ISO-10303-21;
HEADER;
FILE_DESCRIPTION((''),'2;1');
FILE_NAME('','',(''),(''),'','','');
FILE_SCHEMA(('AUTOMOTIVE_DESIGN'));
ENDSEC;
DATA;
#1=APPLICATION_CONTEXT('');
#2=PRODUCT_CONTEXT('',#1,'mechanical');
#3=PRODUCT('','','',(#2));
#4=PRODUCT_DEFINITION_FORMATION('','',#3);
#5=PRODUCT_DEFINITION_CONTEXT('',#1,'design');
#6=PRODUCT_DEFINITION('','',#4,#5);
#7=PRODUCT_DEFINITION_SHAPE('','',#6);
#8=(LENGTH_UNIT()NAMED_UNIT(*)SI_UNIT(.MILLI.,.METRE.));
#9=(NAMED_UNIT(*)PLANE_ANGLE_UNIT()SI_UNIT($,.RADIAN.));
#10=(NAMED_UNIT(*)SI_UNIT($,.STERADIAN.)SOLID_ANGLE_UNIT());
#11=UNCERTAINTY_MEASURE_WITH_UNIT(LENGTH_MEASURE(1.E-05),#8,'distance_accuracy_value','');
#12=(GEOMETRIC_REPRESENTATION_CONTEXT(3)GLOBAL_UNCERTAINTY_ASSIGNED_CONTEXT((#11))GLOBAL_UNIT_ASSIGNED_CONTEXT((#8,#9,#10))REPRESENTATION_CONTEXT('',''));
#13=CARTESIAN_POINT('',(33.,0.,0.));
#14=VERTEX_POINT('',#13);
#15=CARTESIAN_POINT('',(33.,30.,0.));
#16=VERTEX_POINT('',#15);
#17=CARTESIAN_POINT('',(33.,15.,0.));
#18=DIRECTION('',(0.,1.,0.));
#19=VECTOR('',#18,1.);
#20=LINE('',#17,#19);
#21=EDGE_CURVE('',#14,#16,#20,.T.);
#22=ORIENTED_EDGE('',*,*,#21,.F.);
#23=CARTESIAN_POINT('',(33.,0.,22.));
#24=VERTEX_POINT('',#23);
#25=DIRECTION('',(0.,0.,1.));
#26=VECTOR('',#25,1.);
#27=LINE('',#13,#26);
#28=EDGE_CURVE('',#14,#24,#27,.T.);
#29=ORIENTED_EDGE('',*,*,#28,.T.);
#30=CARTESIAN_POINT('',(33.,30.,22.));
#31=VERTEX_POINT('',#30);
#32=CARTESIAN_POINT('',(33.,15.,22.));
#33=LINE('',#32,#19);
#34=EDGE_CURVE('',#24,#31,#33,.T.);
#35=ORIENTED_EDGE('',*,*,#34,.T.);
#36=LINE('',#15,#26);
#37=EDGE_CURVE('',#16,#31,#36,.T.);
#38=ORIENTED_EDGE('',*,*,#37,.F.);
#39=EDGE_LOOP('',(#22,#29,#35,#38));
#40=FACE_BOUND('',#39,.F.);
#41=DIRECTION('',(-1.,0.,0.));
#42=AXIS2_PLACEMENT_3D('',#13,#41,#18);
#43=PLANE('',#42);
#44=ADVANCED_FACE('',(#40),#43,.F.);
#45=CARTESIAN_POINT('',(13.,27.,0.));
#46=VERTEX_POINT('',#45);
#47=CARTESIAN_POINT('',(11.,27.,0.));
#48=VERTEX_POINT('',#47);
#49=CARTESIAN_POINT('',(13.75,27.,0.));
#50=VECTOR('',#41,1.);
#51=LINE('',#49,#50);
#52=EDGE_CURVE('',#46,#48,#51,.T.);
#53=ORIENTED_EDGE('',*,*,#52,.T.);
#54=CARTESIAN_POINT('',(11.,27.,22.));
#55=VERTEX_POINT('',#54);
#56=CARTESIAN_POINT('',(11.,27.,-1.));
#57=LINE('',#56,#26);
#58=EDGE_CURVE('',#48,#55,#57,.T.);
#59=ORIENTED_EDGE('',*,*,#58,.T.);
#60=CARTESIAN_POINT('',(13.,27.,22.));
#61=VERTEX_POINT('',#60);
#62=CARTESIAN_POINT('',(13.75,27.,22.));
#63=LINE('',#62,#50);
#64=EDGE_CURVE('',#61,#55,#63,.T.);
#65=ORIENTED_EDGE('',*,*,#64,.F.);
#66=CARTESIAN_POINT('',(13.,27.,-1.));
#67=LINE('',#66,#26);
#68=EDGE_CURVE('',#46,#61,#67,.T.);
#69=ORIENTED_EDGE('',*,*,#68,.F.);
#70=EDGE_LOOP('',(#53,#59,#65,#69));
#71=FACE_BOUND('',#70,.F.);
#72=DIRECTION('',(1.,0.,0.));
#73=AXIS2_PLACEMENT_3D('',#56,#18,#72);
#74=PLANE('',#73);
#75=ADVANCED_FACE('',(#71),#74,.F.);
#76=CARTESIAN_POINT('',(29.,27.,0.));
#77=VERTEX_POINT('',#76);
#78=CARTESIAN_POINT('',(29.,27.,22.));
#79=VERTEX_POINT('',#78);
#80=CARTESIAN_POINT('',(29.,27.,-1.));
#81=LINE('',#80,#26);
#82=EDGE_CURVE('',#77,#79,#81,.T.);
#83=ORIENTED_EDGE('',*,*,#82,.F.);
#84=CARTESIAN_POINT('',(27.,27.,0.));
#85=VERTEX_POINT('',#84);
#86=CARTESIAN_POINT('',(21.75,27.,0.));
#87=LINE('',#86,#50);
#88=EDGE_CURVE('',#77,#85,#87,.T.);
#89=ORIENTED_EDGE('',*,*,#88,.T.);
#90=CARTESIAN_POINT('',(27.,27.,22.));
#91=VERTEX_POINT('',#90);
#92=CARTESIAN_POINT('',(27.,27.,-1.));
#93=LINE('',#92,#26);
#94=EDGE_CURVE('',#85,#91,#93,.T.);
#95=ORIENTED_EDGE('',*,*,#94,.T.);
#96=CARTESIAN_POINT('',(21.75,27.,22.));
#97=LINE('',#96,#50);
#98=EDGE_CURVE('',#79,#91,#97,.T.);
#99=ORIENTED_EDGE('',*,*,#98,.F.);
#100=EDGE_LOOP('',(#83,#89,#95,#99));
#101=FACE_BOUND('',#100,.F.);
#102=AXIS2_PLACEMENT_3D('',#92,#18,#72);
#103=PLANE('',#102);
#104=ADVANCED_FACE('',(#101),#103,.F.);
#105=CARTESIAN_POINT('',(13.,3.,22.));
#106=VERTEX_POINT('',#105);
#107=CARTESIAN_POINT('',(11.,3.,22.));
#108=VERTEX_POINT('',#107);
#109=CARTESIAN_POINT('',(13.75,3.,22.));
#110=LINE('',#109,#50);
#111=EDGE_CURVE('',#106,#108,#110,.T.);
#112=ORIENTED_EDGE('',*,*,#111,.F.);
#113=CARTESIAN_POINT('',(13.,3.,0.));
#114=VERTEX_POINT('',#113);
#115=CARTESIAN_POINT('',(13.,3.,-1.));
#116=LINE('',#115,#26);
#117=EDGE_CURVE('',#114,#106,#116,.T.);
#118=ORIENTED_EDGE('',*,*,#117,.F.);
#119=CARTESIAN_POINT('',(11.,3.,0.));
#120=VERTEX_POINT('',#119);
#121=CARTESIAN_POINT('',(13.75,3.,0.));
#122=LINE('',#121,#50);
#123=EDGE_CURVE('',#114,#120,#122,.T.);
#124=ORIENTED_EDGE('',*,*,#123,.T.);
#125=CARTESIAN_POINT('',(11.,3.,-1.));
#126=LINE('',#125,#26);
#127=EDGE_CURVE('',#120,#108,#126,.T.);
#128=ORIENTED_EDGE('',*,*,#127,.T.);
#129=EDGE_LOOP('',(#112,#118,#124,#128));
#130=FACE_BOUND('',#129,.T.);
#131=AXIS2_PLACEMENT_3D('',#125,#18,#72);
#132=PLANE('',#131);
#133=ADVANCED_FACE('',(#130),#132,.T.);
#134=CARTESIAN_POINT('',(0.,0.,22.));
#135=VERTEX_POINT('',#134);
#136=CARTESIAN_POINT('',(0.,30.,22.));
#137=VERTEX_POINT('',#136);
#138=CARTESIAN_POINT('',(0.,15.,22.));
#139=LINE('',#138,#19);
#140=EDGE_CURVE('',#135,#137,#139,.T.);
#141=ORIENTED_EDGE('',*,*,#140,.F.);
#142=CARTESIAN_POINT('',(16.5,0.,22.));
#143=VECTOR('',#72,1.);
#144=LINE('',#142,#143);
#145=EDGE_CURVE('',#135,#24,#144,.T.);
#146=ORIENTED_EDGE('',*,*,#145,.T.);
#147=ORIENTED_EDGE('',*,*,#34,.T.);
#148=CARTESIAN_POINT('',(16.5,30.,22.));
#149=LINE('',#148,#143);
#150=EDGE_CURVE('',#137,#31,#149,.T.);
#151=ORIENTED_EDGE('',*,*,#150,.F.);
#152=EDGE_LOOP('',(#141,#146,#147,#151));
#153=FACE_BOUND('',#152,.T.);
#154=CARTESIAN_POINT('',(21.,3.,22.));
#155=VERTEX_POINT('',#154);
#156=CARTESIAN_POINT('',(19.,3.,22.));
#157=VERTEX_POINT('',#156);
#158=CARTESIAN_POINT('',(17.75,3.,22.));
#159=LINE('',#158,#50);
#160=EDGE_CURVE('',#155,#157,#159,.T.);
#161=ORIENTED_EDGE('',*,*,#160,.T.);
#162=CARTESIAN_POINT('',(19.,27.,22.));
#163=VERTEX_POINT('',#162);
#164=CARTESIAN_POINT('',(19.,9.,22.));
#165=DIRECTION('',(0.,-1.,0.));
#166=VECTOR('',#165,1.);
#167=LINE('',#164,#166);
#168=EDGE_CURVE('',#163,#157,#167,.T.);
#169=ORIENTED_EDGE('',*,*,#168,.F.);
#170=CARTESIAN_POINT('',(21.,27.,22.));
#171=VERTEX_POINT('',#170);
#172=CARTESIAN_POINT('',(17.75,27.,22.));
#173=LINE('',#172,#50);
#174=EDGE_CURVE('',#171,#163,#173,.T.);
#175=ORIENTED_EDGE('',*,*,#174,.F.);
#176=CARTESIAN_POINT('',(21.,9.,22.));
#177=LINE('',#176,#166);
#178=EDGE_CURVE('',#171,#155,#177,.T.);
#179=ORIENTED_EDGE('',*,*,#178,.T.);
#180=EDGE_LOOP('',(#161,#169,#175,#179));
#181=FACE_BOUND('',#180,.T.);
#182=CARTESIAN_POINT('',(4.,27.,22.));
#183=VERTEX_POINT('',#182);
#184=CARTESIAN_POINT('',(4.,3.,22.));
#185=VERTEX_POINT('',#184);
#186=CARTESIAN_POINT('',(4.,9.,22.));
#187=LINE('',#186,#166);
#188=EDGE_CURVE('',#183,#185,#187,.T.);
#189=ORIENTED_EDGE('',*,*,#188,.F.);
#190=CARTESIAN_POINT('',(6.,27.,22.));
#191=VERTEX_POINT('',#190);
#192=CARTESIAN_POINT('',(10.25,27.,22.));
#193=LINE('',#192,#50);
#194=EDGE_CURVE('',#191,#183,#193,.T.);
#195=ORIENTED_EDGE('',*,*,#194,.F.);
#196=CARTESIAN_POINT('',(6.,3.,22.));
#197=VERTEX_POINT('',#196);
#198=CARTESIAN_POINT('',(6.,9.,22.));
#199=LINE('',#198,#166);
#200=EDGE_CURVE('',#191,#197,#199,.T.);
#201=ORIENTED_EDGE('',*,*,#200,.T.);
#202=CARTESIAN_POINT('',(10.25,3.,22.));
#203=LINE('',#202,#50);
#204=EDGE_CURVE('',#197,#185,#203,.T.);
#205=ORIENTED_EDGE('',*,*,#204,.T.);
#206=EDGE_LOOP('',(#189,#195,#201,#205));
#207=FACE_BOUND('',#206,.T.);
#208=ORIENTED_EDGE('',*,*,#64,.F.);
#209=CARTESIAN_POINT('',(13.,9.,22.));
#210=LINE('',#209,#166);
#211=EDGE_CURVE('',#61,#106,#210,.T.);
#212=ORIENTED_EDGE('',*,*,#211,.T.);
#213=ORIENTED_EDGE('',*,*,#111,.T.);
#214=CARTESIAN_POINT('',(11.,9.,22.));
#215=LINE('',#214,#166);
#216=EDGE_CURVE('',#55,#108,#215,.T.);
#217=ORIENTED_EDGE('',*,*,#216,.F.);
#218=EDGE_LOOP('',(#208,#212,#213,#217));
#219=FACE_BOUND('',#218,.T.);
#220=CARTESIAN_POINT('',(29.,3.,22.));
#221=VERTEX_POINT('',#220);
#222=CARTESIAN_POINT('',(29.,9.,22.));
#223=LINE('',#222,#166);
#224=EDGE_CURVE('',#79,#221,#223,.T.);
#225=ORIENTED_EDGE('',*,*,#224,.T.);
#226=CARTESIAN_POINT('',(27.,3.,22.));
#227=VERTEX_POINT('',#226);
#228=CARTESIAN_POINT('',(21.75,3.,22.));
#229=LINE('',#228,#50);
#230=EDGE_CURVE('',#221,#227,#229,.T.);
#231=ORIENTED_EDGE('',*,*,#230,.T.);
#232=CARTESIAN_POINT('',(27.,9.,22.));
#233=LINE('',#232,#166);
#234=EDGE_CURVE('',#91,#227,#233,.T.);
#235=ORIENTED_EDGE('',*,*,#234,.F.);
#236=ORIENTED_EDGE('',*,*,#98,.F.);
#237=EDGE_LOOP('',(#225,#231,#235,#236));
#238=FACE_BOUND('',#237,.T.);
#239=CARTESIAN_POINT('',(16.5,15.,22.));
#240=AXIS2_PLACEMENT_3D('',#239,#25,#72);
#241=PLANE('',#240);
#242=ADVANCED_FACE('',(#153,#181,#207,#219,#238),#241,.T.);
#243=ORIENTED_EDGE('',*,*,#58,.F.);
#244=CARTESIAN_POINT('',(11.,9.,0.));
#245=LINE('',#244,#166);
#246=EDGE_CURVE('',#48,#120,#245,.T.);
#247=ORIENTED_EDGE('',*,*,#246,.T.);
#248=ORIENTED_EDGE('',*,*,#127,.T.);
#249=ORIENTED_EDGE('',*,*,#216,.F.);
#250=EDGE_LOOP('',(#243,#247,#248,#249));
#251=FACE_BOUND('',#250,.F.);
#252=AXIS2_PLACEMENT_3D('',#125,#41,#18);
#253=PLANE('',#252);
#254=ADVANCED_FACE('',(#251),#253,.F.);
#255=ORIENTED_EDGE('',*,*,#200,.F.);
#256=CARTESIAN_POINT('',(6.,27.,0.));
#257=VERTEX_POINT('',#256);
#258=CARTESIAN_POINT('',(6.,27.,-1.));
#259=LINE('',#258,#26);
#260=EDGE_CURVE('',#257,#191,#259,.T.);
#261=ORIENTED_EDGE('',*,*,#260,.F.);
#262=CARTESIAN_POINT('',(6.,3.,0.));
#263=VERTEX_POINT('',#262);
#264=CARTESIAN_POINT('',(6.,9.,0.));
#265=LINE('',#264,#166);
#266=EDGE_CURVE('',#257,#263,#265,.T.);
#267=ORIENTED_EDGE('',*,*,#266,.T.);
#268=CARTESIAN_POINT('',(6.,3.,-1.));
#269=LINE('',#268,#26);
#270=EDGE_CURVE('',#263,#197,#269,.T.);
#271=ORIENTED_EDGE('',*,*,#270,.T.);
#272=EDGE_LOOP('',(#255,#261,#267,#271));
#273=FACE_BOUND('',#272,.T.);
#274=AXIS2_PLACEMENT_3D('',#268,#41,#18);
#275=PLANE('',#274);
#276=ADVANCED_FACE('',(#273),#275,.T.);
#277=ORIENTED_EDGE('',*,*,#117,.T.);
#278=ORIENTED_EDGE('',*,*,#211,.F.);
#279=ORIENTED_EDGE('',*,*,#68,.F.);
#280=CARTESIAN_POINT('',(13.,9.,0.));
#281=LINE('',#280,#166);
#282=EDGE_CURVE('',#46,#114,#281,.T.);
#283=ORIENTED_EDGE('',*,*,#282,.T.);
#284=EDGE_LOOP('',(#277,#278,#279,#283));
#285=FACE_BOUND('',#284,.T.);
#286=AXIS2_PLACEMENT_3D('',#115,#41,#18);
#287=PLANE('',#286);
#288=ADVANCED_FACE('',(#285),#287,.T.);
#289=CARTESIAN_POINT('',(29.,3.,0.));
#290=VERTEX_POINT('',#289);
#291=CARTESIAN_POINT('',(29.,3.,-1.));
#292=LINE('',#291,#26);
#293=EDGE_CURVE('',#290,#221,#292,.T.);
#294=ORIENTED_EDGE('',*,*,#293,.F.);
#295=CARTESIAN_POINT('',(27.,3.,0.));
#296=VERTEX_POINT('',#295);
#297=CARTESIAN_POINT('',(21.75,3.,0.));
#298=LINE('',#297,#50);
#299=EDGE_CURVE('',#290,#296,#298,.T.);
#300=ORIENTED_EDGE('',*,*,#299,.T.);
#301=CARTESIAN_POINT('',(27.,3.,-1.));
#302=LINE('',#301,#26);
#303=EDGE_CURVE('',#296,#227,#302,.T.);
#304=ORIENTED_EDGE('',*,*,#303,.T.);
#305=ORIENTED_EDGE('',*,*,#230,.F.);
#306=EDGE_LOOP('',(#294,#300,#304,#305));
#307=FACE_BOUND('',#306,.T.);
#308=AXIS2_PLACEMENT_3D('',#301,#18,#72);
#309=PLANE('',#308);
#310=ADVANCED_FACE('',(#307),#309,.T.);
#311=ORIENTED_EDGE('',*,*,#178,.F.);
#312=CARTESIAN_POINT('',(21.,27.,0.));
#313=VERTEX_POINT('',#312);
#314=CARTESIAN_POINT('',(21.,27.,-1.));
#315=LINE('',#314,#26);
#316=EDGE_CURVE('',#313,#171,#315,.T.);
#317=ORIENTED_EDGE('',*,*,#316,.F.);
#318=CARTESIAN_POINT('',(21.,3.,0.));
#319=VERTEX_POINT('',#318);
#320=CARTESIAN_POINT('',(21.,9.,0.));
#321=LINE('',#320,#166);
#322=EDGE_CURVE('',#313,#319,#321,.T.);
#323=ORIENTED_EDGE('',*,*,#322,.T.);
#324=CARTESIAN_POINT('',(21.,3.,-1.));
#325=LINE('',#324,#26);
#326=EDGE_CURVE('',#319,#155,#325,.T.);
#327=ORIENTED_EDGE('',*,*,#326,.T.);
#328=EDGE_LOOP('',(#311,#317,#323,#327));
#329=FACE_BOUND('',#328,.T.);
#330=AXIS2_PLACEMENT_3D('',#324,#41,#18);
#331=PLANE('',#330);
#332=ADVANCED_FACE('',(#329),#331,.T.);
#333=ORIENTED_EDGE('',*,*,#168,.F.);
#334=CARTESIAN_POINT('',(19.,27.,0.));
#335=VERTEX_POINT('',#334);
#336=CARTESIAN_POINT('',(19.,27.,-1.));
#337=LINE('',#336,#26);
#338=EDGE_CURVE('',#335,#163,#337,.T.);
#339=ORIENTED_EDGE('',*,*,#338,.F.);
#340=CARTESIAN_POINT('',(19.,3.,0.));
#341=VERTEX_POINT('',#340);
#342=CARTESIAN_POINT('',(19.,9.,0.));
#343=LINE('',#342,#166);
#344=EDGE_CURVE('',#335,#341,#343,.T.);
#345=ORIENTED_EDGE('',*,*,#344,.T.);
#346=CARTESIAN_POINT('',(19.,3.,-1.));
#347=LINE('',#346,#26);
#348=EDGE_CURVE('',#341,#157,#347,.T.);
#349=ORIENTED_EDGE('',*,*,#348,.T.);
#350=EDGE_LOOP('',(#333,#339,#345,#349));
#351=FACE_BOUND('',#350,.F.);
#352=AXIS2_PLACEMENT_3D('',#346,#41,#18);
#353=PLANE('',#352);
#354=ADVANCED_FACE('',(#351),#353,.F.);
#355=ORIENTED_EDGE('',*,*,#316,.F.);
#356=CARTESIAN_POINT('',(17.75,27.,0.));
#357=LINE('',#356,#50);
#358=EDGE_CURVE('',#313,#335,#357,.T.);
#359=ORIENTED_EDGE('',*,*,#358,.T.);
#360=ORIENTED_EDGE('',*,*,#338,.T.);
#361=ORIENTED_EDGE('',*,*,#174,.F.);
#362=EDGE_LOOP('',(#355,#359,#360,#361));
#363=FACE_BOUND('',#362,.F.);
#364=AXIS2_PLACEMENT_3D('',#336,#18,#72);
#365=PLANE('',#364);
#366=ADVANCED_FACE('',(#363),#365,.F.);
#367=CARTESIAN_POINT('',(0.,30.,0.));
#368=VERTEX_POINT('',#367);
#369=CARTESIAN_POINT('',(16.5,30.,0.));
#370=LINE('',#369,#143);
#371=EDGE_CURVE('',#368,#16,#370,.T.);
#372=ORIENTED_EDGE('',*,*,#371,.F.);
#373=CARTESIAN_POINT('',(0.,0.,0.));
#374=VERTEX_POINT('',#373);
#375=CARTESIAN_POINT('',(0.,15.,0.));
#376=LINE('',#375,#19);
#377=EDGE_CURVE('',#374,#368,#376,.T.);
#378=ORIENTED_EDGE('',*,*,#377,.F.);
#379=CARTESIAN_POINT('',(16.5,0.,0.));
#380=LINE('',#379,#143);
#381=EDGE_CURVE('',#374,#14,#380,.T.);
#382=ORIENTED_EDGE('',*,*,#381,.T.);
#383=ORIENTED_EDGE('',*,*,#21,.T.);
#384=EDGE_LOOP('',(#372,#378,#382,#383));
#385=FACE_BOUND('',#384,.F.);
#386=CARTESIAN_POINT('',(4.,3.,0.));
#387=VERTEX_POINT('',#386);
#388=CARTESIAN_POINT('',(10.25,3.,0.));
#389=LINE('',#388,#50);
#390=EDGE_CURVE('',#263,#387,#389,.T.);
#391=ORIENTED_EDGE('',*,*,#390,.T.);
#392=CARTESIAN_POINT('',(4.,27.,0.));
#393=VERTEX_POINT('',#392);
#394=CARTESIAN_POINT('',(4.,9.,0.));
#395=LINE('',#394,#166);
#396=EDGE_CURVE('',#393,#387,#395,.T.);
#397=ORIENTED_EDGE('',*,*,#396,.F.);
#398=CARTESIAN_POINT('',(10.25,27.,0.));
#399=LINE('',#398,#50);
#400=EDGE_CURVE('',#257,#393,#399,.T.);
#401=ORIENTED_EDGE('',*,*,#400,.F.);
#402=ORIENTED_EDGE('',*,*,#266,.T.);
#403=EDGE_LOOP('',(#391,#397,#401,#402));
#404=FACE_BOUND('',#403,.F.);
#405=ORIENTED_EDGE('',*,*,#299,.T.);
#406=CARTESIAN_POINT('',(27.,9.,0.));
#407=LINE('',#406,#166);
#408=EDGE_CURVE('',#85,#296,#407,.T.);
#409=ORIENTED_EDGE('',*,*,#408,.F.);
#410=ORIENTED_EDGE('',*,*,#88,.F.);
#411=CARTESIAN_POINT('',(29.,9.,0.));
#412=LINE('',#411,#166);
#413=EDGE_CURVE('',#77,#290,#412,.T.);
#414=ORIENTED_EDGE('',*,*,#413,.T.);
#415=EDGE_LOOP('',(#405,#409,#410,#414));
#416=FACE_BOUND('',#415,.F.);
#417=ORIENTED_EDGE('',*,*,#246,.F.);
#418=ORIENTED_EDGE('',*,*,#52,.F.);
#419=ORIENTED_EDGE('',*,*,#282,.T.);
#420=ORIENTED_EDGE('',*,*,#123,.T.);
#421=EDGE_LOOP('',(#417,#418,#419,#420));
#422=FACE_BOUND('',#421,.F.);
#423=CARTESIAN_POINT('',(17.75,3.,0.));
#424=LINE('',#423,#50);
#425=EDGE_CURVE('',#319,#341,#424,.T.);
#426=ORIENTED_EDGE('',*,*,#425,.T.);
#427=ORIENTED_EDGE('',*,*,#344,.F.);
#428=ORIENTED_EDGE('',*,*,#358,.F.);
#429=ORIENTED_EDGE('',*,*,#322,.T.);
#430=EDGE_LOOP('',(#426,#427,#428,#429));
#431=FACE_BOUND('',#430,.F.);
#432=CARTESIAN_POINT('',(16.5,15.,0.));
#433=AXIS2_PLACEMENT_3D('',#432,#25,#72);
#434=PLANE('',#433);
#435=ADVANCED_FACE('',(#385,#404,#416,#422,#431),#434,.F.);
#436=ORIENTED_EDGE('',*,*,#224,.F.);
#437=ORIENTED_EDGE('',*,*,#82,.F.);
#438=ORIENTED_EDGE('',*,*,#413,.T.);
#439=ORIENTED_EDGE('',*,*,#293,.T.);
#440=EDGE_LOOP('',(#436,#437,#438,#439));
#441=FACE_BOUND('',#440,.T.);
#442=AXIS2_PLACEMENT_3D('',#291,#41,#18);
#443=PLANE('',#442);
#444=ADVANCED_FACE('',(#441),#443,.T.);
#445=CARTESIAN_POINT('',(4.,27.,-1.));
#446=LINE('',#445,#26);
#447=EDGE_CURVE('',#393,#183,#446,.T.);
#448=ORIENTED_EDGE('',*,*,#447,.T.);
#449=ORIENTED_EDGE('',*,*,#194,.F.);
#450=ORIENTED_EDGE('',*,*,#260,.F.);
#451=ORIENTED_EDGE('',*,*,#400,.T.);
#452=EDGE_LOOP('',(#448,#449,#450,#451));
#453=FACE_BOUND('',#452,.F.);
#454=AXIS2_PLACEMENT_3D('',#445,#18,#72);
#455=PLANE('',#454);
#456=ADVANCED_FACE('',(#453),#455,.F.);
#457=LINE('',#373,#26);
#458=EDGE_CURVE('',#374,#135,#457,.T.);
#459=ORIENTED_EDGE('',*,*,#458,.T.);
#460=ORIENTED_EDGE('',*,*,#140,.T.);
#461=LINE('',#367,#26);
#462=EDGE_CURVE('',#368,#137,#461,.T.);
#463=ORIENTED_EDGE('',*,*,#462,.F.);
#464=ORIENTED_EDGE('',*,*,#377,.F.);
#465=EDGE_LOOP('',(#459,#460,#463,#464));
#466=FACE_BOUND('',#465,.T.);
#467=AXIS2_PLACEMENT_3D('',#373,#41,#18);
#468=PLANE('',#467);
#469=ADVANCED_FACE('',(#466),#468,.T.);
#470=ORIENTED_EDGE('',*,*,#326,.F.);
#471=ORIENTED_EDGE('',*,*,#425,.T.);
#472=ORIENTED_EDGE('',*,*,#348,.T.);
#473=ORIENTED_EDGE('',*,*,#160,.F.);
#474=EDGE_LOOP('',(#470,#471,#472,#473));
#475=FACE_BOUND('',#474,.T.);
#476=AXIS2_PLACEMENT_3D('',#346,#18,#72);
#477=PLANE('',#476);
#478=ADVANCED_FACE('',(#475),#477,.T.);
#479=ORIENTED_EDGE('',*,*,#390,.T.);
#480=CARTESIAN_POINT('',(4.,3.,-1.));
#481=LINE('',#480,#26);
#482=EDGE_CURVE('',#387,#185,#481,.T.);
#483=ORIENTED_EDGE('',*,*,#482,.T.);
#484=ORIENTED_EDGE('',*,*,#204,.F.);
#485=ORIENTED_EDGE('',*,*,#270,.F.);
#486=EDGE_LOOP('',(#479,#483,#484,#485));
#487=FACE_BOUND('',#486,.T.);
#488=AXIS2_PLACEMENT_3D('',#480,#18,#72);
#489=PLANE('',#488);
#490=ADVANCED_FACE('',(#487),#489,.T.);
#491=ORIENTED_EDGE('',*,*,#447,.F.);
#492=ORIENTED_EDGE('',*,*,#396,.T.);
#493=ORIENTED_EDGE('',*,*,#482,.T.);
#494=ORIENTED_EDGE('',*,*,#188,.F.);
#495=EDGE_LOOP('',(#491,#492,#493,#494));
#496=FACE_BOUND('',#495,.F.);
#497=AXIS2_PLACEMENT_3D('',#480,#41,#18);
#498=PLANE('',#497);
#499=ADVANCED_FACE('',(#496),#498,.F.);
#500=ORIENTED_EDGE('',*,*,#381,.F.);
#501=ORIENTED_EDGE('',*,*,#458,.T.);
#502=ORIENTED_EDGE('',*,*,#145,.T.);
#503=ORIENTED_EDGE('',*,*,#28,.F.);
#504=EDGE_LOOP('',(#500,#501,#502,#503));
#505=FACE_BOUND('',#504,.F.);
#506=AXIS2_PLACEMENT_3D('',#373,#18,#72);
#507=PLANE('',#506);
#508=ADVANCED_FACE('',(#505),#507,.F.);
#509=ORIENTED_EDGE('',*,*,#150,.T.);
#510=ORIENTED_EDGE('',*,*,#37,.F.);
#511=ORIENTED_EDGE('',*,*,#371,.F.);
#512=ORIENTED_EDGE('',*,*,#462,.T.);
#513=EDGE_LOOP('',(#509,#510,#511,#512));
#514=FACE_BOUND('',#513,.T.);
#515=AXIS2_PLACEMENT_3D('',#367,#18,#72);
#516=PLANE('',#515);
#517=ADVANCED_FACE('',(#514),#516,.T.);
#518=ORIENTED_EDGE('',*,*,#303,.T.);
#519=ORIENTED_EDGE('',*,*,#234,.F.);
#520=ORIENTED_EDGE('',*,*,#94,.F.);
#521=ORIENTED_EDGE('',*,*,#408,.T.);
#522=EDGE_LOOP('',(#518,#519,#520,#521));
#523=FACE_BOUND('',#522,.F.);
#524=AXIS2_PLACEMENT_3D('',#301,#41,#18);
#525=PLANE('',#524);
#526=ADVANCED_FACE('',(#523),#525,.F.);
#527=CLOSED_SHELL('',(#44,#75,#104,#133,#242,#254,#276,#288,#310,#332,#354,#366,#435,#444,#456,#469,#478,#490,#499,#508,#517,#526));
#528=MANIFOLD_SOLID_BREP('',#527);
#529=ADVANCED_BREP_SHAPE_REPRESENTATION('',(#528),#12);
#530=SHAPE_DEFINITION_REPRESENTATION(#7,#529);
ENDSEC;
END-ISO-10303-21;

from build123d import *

# Parameters (mm, degrees)
BOX002_W     = 2
BOX002_H     = 24
BOX002_DEPTH = 25
BOX003_W     = 2
BOX003_H     = 24
BOX003_DEPTH = 25
BOX004_W     = 2
BOX004_H     = 24
BOX004_DEPTH = 25
BOX001_W     = 2
BOX001_H     = 24
BOX001_DEPTH = 25
BOX_W        = 33
BOX_H        = 30
BOX_DEPTH    = 22


with BuildPart() as cub002:
    # Box002 → Box002 (new body)
    with BuildSketch(Plane(origin=(27, 3, -1), x_dir=(1, 0, 0), z_dir=(0, 0, 1))):
        with Locations((1, 12)):
            Rectangle(BOX002_W, BOX002_H)
    extrude(amount=BOX002_DEPTH)


with BuildPart() as cub003:
    # Box003 → Box003 (new body)
    with BuildSketch(Plane(origin=(19, 3, -1), x_dir=(1, 0, 0), z_dir=(0, 0, 1))):
        with Locations((1, 12)):
            Rectangle(BOX003_W, BOX003_H)
    extrude(amount=BOX003_DEPTH)


with BuildPart() as cub004:
    # Box004 → Box004 (new body)
    with BuildSketch(Plane(origin=(11, 3, -1), x_dir=(1, 0, 0), z_dir=(0, 0, 1))):
        with Locations((1, 12)):
            Rectangle(BOX004_W, BOX004_H)
    extrude(amount=BOX004_DEPTH)


with BuildPart() as cub001:
    # Box001 → Box001 (new body)
    with BuildSketch(Plane(origin=(4, 3, -1), x_dir=(1, 0, 0), z_dir=(0, 0, 1))):
        with Locations((1, 12)):
            Rectangle(BOX001_W, BOX001_H)
    extrude(amount=BOX001_DEPTH)


with BuildPart() as cut003:
    # Box → Box (new body)
    with BuildSketch(Plane.XY):
        with Locations((16.5, 15)):
            Rectangle(BOX_W, BOX_H)
    extrude(amount=BOX_DEPTH)

    # Cut: cut Cub001
    add(cub001.part, mode=Mode.SUBTRACT)

    # Cut001: cut Cub004
    add(cub004.part, mode=Mode.SUBTRACT)

    # Cut002: cut Cub003
    add(cub003.part, mode=Mode.SUBTRACT)

    # Cut003: cut Cub002
    add(cub002.part, mode=Mode.SUBTRACT)


solid = cut003.part
